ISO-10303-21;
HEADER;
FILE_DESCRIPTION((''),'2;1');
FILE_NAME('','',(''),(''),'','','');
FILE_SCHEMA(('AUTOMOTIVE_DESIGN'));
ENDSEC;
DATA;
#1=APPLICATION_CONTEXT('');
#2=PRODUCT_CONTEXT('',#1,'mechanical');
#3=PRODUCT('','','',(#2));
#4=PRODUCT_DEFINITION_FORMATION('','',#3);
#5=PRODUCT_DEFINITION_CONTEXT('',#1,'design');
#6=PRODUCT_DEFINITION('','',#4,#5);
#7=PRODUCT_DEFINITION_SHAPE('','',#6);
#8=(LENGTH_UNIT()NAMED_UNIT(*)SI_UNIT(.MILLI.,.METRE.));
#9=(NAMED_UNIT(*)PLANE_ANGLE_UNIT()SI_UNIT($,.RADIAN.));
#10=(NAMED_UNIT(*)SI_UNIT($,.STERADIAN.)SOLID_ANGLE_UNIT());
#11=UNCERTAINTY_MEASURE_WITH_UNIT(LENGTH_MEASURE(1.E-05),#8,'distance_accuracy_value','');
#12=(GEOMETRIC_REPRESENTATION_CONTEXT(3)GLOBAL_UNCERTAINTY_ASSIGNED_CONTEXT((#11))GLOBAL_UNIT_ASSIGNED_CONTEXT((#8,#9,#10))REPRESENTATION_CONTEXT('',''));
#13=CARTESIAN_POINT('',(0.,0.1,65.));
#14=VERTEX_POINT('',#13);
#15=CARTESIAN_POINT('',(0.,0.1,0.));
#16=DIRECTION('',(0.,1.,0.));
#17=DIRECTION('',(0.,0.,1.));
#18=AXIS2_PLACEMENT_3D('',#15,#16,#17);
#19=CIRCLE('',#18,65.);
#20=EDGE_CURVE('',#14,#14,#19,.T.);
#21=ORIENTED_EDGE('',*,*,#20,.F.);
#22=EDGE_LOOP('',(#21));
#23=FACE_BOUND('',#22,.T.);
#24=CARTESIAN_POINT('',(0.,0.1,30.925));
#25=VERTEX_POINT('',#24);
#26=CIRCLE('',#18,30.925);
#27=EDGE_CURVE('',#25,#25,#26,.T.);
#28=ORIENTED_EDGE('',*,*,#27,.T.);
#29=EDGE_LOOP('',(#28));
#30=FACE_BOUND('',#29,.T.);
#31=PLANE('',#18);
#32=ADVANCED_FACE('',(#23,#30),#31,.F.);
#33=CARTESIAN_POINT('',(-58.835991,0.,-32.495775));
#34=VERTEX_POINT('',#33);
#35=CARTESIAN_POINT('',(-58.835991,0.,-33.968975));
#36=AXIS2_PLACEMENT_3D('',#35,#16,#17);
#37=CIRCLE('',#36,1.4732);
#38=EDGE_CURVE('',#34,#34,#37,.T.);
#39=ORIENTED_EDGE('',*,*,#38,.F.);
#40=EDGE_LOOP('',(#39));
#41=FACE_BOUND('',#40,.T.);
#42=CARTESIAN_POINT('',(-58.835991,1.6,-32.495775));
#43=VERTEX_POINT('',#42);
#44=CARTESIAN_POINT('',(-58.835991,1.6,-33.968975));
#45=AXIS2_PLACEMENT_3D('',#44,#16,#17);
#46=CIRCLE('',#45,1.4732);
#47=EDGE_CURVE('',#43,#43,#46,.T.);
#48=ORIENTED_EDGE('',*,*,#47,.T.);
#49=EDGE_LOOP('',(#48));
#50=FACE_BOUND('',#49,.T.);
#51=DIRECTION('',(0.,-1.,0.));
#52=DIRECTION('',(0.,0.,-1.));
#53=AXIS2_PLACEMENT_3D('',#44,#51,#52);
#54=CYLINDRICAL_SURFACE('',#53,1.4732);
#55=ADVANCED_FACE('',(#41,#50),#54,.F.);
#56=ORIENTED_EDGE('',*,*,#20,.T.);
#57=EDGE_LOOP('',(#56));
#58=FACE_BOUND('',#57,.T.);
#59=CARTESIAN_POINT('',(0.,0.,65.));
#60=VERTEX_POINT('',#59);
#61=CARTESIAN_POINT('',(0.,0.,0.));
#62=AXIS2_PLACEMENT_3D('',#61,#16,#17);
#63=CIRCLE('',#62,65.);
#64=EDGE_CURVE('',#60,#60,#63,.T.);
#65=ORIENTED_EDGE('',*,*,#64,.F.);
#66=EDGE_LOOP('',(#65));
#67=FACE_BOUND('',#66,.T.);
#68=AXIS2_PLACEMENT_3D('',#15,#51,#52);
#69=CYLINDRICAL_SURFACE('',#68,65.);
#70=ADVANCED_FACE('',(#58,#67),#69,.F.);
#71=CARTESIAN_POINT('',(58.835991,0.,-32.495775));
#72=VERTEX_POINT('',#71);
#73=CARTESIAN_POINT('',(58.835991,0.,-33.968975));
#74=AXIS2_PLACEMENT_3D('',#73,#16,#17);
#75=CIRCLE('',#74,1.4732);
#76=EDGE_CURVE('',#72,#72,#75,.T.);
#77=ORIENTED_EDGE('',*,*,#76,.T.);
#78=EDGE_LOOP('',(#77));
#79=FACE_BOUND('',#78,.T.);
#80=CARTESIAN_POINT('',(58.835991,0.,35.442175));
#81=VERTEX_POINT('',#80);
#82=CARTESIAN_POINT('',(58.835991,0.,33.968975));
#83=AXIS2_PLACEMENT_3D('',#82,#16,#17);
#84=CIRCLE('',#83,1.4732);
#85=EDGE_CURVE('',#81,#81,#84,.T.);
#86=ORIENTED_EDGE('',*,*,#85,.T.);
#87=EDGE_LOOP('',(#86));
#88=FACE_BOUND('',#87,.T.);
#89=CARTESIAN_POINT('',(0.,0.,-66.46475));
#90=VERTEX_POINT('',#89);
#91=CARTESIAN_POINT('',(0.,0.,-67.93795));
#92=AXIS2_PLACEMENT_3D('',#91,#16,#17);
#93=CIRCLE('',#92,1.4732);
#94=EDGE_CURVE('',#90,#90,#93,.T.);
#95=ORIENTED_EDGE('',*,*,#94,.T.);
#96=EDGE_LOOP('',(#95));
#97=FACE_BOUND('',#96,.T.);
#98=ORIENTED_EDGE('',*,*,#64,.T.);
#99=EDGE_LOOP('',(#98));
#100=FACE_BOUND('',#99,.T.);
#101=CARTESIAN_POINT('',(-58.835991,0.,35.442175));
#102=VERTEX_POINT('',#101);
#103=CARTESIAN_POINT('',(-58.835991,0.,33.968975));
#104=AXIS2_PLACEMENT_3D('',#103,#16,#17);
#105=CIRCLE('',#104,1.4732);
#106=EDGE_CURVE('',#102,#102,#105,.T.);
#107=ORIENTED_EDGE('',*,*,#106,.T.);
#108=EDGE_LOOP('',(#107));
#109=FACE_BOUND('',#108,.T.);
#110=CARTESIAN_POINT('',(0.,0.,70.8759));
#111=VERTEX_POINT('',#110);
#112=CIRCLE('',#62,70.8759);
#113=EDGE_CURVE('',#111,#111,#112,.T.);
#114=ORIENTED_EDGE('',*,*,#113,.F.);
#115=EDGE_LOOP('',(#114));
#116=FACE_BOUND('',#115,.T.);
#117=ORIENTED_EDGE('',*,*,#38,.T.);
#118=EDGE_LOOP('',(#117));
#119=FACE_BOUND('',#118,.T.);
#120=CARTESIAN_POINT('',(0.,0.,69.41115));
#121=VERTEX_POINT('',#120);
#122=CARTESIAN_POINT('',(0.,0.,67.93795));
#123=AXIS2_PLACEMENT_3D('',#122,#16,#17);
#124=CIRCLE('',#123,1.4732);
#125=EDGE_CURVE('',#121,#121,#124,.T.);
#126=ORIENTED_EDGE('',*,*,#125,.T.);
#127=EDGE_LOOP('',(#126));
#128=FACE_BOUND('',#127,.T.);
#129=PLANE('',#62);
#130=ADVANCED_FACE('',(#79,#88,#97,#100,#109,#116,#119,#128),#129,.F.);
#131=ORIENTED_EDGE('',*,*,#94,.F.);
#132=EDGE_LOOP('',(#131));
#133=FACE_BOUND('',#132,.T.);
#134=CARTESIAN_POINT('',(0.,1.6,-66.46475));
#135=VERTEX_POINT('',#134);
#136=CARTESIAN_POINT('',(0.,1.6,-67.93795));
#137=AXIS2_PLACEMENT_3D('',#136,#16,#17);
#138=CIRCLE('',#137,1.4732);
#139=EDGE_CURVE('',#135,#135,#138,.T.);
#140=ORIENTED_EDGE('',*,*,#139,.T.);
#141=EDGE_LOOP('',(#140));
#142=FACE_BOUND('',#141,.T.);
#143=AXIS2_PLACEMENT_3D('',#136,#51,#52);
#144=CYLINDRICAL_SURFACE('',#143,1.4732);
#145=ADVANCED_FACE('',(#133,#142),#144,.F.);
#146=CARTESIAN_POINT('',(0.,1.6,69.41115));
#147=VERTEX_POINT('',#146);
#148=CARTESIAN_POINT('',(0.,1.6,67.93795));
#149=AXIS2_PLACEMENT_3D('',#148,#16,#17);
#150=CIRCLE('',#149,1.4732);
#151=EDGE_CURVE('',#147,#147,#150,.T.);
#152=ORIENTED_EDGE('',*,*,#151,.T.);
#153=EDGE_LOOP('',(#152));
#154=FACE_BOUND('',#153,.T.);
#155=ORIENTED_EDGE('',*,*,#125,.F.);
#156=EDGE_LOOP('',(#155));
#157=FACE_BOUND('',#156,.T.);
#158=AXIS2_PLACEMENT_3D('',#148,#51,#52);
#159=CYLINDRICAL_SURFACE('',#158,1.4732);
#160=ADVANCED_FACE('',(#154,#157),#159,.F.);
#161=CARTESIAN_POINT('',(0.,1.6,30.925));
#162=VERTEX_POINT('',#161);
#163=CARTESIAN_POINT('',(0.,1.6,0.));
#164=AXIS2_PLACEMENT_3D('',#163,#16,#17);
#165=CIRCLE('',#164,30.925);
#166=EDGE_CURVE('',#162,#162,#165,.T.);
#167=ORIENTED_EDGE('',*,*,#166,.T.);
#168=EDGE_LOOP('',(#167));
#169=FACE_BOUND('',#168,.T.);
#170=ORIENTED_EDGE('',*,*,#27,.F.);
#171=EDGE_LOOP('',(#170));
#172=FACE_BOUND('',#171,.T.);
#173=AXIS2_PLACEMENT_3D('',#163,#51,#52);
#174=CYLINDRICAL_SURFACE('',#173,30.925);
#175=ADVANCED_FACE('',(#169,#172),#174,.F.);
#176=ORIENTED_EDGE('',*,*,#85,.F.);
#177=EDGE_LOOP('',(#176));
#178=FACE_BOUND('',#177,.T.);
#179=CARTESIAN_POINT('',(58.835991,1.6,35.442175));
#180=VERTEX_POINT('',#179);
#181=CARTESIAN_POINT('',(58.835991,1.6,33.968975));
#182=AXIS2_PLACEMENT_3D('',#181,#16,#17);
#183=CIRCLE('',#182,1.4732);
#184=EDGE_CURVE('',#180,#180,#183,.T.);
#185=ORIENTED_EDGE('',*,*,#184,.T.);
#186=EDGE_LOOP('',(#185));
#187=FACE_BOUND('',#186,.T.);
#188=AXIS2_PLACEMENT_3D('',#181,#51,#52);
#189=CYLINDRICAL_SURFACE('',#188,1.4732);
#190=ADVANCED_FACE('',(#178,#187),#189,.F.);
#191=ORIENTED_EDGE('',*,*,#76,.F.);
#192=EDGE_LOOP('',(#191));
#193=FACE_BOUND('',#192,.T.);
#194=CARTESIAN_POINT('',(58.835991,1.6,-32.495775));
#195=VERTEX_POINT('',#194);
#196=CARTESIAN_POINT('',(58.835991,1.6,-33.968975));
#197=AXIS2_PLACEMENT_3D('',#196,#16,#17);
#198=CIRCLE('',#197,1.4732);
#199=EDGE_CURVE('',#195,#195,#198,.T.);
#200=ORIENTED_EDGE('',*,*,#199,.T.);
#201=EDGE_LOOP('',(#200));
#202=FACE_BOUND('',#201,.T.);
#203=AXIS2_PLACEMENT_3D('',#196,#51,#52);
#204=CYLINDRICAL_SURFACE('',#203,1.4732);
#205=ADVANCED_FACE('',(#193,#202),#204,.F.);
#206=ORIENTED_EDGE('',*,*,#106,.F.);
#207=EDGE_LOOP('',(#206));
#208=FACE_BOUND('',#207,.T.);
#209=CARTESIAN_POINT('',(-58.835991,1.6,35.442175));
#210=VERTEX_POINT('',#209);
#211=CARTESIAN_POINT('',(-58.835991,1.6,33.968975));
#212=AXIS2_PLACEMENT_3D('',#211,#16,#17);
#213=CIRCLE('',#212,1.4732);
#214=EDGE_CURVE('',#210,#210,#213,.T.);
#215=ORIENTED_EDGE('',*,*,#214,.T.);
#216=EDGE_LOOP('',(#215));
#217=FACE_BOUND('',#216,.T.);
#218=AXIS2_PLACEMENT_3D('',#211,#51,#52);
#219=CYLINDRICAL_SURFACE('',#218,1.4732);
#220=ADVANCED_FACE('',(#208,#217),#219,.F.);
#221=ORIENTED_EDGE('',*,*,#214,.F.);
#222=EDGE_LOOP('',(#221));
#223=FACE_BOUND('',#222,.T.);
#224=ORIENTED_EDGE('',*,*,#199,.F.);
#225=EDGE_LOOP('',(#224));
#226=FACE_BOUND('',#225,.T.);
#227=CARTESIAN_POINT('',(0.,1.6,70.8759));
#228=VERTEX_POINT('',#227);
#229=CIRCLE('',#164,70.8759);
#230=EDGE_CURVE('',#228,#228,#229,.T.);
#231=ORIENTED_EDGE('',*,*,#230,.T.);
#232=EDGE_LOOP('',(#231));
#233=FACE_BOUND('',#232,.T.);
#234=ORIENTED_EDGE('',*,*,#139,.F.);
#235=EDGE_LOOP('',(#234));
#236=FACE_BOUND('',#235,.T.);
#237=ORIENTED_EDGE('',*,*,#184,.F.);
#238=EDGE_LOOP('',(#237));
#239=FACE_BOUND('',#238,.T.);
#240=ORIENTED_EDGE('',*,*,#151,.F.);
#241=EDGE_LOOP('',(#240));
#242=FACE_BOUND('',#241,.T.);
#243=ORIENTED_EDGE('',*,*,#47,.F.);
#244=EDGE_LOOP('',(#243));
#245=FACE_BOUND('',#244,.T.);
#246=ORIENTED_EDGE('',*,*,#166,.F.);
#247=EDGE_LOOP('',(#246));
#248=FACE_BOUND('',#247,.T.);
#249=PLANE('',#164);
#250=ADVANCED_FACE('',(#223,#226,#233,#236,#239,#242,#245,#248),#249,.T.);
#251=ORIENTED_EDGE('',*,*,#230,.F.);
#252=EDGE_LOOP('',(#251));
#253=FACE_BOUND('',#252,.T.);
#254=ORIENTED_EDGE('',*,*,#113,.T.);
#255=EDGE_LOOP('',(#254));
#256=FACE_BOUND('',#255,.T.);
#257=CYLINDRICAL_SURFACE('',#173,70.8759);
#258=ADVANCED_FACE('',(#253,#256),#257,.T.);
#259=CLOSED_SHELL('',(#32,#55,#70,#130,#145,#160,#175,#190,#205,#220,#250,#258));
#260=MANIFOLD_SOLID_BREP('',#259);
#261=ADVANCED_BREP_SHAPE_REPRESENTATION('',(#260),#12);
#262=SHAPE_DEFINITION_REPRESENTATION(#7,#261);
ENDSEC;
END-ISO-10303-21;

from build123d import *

# Parameters (mm, degrees)
SKETCH1_R           = 70.8759
SKETCH1_R_2         = 1.4732
SKETCH1_R_3         = 30.925
BOSS_EXTRUDE1_DEPTH = 1.6
SKETCH1_3_R         = 65
SKETCH1_3_R_2       = 30.925
CUT_EXTRUDE1_DEPTH  = 0.1


with BuildPart() as part:
    # Sketch1 → Boss-Extrude1 (new body)
    with BuildSketch(Plane(origin=(0, 0, 0), x_dir=(1, 0, 0), z_dir=(0, 1, 0))):
        Circle(SKETCH1_R)
        with Locations((-58.835990581, -33.968975)):
            Circle(SKETCH1_R_2, mode=Mode.SUBTRACT)
        with Locations((0, -67.93795)):
            Circle(SKETCH1_R_2, mode=Mode.SUBTRACT)
        with Locations((58.835990581, -33.968975)):
            Circle(SKETCH1_R_2, mode=Mode.SUBTRACT)
        with Locations((-58.835990581, 33.968975)):
            Circle(SKETCH1_R_2, mode=Mode.SUBTRACT)
        with Locations((0, 67.93795)):
            Circle(SKETCH1_R_2, mode=Mode.SUBTRACT)
        with Locations((58.835990581, 33.968975)):
            Circle(SKETCH1_R_2, mode=Mode.SUBTRACT)
        Circle(SKETCH1_R_3, mode=Mode.SUBTRACT)
    extrude(amount=BOSS_EXTRUDE1_DEPTH)

    # Sketch1<3> → Cut-Extrude1 (cut)
    with BuildSketch(Plane(origin=(0, 0, 0), x_dir=(1, 0, 0), z_dir=(0, 1, 0))):
        Circle(SKETCH1_3_R)
        Circle(SKETCH1_3_R_2, mode=Mode.SUBTRACT)
    extrude(amount=CUT_EXTRUDE1_DEPTH, mode=Mode.SUBTRACT)


solid = part.part
